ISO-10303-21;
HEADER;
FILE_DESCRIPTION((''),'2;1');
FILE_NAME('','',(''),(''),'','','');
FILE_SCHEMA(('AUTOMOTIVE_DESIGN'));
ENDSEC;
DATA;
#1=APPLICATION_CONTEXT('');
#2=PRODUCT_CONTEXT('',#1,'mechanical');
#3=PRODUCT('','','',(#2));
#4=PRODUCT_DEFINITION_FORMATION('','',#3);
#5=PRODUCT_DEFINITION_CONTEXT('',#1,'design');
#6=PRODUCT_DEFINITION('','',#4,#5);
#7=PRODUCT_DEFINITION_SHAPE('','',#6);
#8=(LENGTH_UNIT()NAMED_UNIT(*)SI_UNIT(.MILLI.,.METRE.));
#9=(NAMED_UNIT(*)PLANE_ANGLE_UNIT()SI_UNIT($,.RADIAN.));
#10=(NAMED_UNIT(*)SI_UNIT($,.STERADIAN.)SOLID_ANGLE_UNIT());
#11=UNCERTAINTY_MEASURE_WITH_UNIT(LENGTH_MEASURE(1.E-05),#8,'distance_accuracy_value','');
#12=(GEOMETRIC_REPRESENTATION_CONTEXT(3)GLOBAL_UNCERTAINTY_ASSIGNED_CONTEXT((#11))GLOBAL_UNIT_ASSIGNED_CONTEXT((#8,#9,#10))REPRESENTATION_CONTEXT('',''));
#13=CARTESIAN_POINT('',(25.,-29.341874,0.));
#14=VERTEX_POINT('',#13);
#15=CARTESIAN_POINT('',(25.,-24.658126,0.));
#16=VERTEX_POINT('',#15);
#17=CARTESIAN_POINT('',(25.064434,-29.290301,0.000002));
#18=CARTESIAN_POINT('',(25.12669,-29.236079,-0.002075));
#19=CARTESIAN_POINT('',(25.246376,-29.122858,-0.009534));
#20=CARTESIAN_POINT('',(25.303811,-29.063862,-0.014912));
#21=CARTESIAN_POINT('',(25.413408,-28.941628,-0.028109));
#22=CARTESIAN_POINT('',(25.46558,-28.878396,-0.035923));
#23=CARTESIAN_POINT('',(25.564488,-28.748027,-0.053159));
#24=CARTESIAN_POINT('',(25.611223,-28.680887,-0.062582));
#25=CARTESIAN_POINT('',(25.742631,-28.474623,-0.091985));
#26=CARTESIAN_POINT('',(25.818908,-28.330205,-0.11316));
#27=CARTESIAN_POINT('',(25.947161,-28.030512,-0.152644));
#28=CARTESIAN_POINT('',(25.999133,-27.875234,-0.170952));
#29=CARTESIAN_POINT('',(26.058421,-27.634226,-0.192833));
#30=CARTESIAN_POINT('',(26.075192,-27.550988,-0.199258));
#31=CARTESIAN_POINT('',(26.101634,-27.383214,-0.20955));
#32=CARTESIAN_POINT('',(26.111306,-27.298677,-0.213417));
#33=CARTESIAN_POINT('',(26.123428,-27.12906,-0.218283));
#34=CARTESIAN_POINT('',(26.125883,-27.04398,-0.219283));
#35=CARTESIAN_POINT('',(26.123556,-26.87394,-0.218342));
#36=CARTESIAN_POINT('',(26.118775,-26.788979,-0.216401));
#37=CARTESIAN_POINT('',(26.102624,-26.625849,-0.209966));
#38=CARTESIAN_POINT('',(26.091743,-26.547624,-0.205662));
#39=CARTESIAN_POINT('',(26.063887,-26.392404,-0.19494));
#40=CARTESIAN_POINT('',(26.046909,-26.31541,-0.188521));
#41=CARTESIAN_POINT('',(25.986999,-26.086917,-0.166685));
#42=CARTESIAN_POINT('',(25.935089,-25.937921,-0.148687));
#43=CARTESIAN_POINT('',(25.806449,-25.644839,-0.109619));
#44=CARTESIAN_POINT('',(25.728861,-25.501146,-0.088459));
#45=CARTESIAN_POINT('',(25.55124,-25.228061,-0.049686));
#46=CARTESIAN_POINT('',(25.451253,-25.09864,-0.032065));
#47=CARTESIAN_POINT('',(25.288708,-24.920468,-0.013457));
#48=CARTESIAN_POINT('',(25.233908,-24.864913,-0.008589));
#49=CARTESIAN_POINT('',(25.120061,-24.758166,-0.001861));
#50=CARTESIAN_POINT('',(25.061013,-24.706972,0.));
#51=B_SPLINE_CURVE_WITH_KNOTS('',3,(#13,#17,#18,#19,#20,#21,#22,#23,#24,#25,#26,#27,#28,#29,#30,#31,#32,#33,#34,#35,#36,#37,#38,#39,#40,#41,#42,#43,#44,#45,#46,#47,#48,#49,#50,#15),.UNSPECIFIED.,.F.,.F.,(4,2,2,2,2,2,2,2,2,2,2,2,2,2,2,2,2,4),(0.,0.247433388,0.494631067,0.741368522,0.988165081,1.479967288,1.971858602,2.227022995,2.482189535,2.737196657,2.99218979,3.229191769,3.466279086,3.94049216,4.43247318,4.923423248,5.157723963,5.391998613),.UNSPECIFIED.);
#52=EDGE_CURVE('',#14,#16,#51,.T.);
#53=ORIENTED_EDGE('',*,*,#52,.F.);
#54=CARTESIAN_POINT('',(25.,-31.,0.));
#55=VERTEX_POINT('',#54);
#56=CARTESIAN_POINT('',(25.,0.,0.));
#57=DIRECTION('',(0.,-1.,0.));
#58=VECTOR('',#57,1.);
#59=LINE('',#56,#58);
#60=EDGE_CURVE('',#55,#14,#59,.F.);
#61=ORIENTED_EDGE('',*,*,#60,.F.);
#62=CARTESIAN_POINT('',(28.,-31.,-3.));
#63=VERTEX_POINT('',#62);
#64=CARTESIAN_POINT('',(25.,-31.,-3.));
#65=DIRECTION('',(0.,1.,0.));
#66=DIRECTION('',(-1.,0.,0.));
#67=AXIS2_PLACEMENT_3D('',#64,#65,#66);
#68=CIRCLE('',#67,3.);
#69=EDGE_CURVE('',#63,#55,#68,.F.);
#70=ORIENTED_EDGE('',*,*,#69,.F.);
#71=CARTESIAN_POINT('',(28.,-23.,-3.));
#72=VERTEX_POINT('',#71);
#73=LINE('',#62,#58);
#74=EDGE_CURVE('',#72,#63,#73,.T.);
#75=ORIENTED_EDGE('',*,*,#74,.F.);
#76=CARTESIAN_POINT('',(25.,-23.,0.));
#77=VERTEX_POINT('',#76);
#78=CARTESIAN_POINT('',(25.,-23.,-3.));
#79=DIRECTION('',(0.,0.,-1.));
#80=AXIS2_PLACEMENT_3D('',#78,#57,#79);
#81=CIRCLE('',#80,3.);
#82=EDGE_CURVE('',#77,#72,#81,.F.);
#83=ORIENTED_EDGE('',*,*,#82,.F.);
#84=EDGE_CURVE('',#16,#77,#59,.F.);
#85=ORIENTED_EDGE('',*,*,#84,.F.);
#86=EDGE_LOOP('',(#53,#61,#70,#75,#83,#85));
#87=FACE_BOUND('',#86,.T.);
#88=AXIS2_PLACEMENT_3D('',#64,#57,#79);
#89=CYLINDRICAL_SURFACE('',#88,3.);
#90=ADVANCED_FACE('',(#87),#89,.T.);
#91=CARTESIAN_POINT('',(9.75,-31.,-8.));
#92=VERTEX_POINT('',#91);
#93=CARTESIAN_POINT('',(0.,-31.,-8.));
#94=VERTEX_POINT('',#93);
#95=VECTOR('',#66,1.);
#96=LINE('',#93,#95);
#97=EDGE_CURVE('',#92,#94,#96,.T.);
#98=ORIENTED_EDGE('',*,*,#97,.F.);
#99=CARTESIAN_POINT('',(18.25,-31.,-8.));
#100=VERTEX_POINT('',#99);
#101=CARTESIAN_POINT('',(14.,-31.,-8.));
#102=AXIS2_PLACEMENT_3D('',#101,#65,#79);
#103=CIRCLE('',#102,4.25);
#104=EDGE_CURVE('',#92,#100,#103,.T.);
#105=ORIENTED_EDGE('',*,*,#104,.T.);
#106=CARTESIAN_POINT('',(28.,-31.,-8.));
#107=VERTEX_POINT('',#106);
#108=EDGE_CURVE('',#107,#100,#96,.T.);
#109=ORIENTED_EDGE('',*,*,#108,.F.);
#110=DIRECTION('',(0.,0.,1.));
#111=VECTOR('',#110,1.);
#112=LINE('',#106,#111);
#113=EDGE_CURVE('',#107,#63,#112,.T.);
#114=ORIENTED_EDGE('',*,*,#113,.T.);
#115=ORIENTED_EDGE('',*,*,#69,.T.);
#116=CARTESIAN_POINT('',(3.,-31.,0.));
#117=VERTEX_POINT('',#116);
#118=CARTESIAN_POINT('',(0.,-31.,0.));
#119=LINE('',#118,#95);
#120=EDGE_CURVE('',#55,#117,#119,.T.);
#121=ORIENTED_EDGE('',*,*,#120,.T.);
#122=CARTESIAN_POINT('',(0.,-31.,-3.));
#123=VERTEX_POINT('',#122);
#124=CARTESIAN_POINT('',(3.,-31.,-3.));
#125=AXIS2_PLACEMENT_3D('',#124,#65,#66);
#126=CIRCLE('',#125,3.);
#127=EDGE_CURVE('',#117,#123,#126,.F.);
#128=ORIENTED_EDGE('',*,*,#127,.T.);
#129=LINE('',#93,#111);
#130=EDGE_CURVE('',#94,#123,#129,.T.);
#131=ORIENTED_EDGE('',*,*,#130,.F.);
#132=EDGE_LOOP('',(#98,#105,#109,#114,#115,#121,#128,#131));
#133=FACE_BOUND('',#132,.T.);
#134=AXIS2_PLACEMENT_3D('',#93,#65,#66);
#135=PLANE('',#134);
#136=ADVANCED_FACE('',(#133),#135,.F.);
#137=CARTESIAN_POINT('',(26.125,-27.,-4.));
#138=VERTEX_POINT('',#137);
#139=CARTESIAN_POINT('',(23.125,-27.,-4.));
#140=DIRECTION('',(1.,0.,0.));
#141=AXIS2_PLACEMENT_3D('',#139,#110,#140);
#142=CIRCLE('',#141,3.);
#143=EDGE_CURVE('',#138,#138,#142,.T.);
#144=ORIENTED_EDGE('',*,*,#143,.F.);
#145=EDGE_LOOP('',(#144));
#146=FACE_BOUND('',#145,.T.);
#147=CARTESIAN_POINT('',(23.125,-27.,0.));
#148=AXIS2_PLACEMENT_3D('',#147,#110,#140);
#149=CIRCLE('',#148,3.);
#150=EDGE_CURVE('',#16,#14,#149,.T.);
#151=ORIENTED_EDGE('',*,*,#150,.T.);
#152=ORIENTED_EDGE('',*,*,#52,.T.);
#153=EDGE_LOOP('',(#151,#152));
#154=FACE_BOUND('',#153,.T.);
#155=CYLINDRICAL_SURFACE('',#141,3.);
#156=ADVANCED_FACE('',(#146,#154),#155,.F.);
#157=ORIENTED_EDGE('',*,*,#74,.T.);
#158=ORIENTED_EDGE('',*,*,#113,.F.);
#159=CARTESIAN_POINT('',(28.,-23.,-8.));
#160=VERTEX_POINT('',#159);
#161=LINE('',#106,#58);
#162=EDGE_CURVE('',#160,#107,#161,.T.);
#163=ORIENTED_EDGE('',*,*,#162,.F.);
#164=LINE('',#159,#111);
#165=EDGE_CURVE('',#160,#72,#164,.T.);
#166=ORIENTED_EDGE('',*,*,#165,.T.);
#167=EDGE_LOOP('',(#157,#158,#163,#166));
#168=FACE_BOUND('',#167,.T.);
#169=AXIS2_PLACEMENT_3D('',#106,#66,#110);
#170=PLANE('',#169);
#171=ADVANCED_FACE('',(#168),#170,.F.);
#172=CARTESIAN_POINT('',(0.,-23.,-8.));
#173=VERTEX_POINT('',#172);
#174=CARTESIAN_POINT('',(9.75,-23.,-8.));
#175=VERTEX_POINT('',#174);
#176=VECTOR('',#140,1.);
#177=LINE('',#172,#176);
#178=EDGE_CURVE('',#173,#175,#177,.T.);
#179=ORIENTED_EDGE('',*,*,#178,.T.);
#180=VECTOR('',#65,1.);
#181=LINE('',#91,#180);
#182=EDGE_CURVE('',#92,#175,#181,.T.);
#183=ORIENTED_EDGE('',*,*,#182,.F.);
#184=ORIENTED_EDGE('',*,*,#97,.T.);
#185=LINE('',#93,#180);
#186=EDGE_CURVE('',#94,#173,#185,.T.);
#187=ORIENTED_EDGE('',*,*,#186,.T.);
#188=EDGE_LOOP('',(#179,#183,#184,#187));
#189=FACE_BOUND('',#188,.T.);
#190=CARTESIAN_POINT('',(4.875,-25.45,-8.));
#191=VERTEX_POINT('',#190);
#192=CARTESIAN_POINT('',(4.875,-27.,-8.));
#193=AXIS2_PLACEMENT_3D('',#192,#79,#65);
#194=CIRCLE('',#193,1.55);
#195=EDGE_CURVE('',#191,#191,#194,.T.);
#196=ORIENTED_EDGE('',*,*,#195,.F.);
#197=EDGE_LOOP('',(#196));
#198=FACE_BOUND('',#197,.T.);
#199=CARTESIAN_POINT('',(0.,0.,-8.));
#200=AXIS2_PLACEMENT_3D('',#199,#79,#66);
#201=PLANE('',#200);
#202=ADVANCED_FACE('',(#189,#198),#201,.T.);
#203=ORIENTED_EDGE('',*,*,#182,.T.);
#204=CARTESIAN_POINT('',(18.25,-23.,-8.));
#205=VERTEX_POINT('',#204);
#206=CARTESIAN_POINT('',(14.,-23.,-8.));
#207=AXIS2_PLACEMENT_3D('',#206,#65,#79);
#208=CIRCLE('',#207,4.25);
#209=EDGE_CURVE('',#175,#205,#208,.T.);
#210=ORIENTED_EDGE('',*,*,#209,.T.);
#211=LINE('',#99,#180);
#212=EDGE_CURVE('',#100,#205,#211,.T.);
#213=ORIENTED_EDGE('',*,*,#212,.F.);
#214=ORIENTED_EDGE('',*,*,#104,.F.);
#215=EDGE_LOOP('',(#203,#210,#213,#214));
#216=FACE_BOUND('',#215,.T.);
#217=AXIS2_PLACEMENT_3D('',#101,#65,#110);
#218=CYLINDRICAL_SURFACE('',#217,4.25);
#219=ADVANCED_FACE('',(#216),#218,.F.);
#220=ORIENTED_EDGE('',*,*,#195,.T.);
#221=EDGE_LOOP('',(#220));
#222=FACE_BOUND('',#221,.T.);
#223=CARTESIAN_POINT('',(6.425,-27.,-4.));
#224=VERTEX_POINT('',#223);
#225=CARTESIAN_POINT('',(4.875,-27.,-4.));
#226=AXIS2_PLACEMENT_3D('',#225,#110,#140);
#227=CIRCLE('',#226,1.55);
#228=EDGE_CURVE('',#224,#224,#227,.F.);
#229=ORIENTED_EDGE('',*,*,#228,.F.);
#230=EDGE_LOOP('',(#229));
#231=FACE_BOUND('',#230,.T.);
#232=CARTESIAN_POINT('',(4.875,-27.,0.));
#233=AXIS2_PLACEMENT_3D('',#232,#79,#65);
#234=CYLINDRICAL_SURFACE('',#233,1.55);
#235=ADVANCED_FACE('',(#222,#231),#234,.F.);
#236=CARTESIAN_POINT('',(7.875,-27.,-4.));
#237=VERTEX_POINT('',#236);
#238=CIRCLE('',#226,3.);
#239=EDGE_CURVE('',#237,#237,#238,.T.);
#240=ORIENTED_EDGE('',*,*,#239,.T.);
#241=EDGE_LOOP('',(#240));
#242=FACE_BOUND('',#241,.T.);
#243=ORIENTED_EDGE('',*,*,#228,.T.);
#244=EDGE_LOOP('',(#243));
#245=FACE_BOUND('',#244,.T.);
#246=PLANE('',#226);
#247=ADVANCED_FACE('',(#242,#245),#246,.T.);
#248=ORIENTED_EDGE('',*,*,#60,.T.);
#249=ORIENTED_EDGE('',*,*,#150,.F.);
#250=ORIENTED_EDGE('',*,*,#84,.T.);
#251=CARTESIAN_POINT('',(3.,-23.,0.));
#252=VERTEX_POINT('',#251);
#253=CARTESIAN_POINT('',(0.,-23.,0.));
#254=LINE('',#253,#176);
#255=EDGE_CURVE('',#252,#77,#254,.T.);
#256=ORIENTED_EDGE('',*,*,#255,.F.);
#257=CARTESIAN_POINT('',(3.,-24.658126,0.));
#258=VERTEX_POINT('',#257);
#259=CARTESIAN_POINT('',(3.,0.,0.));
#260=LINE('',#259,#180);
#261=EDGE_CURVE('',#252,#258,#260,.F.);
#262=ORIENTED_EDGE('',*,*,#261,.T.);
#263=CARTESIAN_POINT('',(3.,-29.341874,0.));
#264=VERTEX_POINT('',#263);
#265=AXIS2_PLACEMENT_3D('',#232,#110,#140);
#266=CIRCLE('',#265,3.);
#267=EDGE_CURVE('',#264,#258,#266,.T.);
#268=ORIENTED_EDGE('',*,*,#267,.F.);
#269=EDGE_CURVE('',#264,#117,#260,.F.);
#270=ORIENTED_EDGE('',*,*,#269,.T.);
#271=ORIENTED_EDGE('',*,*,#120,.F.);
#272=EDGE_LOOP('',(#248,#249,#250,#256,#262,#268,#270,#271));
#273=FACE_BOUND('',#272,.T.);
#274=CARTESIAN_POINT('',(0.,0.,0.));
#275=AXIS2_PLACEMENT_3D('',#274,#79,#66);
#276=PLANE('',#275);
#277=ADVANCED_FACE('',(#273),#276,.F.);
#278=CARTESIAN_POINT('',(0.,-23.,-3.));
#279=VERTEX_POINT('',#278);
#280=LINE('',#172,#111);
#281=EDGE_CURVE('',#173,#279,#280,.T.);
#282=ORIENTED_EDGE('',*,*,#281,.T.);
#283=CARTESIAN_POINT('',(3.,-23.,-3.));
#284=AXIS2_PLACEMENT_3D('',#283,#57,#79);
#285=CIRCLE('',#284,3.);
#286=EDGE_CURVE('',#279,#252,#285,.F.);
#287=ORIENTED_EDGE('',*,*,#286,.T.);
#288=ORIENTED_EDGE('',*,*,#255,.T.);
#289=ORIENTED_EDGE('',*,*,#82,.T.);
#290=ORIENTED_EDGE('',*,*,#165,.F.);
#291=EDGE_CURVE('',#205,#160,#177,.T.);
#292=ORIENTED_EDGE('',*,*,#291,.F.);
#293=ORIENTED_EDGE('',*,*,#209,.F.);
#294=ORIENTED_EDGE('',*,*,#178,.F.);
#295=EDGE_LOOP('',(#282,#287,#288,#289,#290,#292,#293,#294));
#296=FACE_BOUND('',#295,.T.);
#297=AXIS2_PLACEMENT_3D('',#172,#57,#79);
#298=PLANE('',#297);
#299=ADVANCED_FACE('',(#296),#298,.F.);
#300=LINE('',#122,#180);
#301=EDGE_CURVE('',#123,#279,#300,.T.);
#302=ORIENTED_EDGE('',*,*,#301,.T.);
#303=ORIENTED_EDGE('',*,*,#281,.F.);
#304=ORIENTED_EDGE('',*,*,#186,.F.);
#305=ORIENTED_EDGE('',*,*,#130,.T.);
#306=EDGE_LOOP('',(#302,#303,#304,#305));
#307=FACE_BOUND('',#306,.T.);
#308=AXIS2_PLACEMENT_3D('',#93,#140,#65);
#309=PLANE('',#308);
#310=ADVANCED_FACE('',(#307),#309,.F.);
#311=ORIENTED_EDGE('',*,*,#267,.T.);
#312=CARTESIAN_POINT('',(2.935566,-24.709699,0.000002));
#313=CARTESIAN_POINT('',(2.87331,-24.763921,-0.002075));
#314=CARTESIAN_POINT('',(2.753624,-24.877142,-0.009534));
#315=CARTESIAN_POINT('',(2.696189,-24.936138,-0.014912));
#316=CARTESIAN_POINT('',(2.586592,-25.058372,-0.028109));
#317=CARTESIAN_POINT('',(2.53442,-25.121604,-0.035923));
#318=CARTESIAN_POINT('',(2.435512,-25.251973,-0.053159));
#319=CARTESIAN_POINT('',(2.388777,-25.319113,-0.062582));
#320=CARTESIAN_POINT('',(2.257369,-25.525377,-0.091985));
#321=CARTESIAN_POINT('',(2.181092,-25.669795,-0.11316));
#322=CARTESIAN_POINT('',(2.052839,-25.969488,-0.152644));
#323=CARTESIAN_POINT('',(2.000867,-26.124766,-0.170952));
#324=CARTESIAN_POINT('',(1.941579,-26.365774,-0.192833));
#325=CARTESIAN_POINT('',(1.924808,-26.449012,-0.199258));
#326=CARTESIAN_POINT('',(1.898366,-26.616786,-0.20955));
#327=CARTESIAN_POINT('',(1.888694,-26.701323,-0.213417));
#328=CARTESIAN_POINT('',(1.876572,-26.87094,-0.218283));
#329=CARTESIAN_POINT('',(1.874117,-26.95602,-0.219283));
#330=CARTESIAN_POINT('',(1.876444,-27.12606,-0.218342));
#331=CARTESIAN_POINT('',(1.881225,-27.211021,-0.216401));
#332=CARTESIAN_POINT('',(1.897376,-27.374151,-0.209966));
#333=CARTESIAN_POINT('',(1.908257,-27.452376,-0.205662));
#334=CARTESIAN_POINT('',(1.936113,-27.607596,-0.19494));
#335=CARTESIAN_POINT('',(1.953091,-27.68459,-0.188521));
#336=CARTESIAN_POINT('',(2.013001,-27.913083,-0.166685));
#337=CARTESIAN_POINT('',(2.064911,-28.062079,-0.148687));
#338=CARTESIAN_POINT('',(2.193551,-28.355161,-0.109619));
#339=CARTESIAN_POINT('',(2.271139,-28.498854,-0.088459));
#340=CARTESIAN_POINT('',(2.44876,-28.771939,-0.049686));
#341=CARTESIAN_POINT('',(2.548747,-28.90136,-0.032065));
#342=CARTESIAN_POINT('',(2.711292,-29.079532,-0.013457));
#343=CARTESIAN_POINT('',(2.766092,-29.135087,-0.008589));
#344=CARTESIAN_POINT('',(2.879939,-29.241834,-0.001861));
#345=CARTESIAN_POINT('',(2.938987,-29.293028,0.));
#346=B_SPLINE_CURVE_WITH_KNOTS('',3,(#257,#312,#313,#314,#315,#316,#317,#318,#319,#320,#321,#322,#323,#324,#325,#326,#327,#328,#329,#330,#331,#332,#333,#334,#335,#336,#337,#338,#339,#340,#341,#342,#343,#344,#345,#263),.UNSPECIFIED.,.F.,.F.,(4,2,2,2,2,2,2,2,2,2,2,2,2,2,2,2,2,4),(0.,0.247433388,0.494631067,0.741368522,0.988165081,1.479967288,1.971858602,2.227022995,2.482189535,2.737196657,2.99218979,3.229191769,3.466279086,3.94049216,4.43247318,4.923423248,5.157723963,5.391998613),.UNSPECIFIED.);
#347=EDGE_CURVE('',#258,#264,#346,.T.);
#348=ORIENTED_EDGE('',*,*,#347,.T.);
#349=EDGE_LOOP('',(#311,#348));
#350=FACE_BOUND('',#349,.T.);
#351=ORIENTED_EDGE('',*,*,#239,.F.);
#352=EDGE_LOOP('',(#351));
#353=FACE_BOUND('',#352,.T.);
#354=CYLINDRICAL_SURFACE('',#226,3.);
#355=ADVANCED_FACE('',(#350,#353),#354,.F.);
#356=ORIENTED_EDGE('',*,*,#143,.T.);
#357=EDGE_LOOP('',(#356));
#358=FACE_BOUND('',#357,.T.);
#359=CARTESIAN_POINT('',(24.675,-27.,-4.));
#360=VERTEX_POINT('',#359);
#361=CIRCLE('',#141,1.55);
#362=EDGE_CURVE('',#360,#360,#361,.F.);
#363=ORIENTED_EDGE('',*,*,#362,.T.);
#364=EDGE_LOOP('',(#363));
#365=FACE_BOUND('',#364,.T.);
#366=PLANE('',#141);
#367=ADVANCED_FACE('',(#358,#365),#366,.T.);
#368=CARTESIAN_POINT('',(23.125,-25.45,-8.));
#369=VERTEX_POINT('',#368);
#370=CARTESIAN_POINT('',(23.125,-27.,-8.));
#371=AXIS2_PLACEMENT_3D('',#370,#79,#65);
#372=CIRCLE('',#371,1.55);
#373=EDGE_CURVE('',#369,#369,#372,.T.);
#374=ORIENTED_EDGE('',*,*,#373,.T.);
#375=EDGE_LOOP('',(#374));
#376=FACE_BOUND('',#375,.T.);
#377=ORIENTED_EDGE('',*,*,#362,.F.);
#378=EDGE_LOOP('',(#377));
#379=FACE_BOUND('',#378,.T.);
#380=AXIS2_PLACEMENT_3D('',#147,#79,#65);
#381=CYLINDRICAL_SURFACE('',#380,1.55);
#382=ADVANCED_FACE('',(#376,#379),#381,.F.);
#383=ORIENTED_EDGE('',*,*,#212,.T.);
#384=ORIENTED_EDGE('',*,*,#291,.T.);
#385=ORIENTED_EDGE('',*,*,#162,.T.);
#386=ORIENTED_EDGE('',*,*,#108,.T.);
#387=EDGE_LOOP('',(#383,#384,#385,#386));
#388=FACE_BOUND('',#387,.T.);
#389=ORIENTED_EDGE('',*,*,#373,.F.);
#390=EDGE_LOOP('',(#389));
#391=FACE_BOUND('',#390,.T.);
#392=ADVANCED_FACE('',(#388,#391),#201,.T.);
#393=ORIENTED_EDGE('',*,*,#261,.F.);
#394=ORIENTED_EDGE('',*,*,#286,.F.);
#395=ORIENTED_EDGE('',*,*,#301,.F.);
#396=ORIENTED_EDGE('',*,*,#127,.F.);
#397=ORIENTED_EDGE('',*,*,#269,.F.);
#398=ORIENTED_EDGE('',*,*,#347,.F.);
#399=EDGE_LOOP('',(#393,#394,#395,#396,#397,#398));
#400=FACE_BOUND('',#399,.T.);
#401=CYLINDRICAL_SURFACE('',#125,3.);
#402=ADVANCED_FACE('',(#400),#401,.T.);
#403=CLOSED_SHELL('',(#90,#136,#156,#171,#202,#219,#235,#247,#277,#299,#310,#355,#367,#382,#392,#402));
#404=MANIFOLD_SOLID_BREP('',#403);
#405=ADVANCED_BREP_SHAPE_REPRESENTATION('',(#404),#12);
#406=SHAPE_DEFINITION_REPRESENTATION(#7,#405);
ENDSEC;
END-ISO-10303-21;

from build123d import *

# Parameters (mm, degrees)
SKETCH2_W                          = 28
SKETCH2_H                          = 8
BRIDGEBOSS_EXTRUDE2_DEPTH          = 8
GROMMETCUT_EXTRUDE3_DEPTH          = 31.199337741
BRIDGEMOUNTHOLESSKETCH4_R          = 1.55
BRIDGEMOUNTHOLESCUT_EXTRUDE4_DEPTH = 43.532340636
FILLET1_R                          = 3
SKETCH4_R                          = 3
MOUNTHOLESBORECUT_EXTRUDE1_DEPTH   = 4


with BuildPart() as part:
    # Sketch2 → BridgeBoss-Extrude2 (new body)
    with BuildSketch(Plane(origin=(0, 0, 0), x_dir=(1, 0, 0), z_dir=(0, 0, -1))):
        with Locations((14, 27)):
            Rectangle(SKETCH2_W, SKETCH2_H)
    extrude(amount=BRIDGEBOSS_EXTRUDE2_DEPTH)

    # Sketch3 → GrommetCut-Extrude3 (cut, through all)
    with BuildSketch(Plane(origin=(0, -23, 0), x_dir=(1, 0, 0), z_dir=(0, 1, 0))):
        with BuildLine():
            Line((9.75, 8), (18.25, 8))
            ThreePointArc((18.25, 8), (14, 3.75), (9.75, 8))
        make_face()
    extrude(amount=-GROMMETCUT_EXTRUDE3_DEPTH, mode=Mode.SUBTRACT)

    # BridgeMountHolesSketch4 → BridgeMountholesCut-Extrude4 (cut, through all)
    with BuildSketch(Plane(origin=(0, 0, -8), x_dir=(1, 0, 0), z_dir=(0, 0, -1))):
        with Locations(Location((4.875, 27, 0), (0, 0, 270))):
            Circle(BRIDGEMOUNTHOLESSKETCH4_R)
        with Locations(Location((23.125, 27, 0), (0, 0, 270))):
            Circle(BRIDGEMOUNTHOLESSKETCH4_R)
    extrude(amount=-BRIDGEMOUNTHOLESCUT_EXTRUDE4_DEPTH, mode=Mode.SUBTRACT)

    # Fillet1
    fillet1_edges = [part.edges().sort_by_distance(p)[0] for p in [
        (28, -27, 0),
        (0, -27, 0),
    ]]
    fillet(fillet1_edges, radius=FILLET1_R)

    # Sketch4 → MountHolesBoreCut-Extrude1 (cut)
    with BuildSketch(Plane.XY):
        with Locations((4.875, -27)):
            Circle(SKETCH4_R)
        with Locations((23.125, -27)):
            Circle(SKETCH4_R)
    extrude(amount=-MOUNTHOLESBORECUT_EXTRUDE1_DEPTH, mode=Mode.SUBTRACT)


solid = part.part
